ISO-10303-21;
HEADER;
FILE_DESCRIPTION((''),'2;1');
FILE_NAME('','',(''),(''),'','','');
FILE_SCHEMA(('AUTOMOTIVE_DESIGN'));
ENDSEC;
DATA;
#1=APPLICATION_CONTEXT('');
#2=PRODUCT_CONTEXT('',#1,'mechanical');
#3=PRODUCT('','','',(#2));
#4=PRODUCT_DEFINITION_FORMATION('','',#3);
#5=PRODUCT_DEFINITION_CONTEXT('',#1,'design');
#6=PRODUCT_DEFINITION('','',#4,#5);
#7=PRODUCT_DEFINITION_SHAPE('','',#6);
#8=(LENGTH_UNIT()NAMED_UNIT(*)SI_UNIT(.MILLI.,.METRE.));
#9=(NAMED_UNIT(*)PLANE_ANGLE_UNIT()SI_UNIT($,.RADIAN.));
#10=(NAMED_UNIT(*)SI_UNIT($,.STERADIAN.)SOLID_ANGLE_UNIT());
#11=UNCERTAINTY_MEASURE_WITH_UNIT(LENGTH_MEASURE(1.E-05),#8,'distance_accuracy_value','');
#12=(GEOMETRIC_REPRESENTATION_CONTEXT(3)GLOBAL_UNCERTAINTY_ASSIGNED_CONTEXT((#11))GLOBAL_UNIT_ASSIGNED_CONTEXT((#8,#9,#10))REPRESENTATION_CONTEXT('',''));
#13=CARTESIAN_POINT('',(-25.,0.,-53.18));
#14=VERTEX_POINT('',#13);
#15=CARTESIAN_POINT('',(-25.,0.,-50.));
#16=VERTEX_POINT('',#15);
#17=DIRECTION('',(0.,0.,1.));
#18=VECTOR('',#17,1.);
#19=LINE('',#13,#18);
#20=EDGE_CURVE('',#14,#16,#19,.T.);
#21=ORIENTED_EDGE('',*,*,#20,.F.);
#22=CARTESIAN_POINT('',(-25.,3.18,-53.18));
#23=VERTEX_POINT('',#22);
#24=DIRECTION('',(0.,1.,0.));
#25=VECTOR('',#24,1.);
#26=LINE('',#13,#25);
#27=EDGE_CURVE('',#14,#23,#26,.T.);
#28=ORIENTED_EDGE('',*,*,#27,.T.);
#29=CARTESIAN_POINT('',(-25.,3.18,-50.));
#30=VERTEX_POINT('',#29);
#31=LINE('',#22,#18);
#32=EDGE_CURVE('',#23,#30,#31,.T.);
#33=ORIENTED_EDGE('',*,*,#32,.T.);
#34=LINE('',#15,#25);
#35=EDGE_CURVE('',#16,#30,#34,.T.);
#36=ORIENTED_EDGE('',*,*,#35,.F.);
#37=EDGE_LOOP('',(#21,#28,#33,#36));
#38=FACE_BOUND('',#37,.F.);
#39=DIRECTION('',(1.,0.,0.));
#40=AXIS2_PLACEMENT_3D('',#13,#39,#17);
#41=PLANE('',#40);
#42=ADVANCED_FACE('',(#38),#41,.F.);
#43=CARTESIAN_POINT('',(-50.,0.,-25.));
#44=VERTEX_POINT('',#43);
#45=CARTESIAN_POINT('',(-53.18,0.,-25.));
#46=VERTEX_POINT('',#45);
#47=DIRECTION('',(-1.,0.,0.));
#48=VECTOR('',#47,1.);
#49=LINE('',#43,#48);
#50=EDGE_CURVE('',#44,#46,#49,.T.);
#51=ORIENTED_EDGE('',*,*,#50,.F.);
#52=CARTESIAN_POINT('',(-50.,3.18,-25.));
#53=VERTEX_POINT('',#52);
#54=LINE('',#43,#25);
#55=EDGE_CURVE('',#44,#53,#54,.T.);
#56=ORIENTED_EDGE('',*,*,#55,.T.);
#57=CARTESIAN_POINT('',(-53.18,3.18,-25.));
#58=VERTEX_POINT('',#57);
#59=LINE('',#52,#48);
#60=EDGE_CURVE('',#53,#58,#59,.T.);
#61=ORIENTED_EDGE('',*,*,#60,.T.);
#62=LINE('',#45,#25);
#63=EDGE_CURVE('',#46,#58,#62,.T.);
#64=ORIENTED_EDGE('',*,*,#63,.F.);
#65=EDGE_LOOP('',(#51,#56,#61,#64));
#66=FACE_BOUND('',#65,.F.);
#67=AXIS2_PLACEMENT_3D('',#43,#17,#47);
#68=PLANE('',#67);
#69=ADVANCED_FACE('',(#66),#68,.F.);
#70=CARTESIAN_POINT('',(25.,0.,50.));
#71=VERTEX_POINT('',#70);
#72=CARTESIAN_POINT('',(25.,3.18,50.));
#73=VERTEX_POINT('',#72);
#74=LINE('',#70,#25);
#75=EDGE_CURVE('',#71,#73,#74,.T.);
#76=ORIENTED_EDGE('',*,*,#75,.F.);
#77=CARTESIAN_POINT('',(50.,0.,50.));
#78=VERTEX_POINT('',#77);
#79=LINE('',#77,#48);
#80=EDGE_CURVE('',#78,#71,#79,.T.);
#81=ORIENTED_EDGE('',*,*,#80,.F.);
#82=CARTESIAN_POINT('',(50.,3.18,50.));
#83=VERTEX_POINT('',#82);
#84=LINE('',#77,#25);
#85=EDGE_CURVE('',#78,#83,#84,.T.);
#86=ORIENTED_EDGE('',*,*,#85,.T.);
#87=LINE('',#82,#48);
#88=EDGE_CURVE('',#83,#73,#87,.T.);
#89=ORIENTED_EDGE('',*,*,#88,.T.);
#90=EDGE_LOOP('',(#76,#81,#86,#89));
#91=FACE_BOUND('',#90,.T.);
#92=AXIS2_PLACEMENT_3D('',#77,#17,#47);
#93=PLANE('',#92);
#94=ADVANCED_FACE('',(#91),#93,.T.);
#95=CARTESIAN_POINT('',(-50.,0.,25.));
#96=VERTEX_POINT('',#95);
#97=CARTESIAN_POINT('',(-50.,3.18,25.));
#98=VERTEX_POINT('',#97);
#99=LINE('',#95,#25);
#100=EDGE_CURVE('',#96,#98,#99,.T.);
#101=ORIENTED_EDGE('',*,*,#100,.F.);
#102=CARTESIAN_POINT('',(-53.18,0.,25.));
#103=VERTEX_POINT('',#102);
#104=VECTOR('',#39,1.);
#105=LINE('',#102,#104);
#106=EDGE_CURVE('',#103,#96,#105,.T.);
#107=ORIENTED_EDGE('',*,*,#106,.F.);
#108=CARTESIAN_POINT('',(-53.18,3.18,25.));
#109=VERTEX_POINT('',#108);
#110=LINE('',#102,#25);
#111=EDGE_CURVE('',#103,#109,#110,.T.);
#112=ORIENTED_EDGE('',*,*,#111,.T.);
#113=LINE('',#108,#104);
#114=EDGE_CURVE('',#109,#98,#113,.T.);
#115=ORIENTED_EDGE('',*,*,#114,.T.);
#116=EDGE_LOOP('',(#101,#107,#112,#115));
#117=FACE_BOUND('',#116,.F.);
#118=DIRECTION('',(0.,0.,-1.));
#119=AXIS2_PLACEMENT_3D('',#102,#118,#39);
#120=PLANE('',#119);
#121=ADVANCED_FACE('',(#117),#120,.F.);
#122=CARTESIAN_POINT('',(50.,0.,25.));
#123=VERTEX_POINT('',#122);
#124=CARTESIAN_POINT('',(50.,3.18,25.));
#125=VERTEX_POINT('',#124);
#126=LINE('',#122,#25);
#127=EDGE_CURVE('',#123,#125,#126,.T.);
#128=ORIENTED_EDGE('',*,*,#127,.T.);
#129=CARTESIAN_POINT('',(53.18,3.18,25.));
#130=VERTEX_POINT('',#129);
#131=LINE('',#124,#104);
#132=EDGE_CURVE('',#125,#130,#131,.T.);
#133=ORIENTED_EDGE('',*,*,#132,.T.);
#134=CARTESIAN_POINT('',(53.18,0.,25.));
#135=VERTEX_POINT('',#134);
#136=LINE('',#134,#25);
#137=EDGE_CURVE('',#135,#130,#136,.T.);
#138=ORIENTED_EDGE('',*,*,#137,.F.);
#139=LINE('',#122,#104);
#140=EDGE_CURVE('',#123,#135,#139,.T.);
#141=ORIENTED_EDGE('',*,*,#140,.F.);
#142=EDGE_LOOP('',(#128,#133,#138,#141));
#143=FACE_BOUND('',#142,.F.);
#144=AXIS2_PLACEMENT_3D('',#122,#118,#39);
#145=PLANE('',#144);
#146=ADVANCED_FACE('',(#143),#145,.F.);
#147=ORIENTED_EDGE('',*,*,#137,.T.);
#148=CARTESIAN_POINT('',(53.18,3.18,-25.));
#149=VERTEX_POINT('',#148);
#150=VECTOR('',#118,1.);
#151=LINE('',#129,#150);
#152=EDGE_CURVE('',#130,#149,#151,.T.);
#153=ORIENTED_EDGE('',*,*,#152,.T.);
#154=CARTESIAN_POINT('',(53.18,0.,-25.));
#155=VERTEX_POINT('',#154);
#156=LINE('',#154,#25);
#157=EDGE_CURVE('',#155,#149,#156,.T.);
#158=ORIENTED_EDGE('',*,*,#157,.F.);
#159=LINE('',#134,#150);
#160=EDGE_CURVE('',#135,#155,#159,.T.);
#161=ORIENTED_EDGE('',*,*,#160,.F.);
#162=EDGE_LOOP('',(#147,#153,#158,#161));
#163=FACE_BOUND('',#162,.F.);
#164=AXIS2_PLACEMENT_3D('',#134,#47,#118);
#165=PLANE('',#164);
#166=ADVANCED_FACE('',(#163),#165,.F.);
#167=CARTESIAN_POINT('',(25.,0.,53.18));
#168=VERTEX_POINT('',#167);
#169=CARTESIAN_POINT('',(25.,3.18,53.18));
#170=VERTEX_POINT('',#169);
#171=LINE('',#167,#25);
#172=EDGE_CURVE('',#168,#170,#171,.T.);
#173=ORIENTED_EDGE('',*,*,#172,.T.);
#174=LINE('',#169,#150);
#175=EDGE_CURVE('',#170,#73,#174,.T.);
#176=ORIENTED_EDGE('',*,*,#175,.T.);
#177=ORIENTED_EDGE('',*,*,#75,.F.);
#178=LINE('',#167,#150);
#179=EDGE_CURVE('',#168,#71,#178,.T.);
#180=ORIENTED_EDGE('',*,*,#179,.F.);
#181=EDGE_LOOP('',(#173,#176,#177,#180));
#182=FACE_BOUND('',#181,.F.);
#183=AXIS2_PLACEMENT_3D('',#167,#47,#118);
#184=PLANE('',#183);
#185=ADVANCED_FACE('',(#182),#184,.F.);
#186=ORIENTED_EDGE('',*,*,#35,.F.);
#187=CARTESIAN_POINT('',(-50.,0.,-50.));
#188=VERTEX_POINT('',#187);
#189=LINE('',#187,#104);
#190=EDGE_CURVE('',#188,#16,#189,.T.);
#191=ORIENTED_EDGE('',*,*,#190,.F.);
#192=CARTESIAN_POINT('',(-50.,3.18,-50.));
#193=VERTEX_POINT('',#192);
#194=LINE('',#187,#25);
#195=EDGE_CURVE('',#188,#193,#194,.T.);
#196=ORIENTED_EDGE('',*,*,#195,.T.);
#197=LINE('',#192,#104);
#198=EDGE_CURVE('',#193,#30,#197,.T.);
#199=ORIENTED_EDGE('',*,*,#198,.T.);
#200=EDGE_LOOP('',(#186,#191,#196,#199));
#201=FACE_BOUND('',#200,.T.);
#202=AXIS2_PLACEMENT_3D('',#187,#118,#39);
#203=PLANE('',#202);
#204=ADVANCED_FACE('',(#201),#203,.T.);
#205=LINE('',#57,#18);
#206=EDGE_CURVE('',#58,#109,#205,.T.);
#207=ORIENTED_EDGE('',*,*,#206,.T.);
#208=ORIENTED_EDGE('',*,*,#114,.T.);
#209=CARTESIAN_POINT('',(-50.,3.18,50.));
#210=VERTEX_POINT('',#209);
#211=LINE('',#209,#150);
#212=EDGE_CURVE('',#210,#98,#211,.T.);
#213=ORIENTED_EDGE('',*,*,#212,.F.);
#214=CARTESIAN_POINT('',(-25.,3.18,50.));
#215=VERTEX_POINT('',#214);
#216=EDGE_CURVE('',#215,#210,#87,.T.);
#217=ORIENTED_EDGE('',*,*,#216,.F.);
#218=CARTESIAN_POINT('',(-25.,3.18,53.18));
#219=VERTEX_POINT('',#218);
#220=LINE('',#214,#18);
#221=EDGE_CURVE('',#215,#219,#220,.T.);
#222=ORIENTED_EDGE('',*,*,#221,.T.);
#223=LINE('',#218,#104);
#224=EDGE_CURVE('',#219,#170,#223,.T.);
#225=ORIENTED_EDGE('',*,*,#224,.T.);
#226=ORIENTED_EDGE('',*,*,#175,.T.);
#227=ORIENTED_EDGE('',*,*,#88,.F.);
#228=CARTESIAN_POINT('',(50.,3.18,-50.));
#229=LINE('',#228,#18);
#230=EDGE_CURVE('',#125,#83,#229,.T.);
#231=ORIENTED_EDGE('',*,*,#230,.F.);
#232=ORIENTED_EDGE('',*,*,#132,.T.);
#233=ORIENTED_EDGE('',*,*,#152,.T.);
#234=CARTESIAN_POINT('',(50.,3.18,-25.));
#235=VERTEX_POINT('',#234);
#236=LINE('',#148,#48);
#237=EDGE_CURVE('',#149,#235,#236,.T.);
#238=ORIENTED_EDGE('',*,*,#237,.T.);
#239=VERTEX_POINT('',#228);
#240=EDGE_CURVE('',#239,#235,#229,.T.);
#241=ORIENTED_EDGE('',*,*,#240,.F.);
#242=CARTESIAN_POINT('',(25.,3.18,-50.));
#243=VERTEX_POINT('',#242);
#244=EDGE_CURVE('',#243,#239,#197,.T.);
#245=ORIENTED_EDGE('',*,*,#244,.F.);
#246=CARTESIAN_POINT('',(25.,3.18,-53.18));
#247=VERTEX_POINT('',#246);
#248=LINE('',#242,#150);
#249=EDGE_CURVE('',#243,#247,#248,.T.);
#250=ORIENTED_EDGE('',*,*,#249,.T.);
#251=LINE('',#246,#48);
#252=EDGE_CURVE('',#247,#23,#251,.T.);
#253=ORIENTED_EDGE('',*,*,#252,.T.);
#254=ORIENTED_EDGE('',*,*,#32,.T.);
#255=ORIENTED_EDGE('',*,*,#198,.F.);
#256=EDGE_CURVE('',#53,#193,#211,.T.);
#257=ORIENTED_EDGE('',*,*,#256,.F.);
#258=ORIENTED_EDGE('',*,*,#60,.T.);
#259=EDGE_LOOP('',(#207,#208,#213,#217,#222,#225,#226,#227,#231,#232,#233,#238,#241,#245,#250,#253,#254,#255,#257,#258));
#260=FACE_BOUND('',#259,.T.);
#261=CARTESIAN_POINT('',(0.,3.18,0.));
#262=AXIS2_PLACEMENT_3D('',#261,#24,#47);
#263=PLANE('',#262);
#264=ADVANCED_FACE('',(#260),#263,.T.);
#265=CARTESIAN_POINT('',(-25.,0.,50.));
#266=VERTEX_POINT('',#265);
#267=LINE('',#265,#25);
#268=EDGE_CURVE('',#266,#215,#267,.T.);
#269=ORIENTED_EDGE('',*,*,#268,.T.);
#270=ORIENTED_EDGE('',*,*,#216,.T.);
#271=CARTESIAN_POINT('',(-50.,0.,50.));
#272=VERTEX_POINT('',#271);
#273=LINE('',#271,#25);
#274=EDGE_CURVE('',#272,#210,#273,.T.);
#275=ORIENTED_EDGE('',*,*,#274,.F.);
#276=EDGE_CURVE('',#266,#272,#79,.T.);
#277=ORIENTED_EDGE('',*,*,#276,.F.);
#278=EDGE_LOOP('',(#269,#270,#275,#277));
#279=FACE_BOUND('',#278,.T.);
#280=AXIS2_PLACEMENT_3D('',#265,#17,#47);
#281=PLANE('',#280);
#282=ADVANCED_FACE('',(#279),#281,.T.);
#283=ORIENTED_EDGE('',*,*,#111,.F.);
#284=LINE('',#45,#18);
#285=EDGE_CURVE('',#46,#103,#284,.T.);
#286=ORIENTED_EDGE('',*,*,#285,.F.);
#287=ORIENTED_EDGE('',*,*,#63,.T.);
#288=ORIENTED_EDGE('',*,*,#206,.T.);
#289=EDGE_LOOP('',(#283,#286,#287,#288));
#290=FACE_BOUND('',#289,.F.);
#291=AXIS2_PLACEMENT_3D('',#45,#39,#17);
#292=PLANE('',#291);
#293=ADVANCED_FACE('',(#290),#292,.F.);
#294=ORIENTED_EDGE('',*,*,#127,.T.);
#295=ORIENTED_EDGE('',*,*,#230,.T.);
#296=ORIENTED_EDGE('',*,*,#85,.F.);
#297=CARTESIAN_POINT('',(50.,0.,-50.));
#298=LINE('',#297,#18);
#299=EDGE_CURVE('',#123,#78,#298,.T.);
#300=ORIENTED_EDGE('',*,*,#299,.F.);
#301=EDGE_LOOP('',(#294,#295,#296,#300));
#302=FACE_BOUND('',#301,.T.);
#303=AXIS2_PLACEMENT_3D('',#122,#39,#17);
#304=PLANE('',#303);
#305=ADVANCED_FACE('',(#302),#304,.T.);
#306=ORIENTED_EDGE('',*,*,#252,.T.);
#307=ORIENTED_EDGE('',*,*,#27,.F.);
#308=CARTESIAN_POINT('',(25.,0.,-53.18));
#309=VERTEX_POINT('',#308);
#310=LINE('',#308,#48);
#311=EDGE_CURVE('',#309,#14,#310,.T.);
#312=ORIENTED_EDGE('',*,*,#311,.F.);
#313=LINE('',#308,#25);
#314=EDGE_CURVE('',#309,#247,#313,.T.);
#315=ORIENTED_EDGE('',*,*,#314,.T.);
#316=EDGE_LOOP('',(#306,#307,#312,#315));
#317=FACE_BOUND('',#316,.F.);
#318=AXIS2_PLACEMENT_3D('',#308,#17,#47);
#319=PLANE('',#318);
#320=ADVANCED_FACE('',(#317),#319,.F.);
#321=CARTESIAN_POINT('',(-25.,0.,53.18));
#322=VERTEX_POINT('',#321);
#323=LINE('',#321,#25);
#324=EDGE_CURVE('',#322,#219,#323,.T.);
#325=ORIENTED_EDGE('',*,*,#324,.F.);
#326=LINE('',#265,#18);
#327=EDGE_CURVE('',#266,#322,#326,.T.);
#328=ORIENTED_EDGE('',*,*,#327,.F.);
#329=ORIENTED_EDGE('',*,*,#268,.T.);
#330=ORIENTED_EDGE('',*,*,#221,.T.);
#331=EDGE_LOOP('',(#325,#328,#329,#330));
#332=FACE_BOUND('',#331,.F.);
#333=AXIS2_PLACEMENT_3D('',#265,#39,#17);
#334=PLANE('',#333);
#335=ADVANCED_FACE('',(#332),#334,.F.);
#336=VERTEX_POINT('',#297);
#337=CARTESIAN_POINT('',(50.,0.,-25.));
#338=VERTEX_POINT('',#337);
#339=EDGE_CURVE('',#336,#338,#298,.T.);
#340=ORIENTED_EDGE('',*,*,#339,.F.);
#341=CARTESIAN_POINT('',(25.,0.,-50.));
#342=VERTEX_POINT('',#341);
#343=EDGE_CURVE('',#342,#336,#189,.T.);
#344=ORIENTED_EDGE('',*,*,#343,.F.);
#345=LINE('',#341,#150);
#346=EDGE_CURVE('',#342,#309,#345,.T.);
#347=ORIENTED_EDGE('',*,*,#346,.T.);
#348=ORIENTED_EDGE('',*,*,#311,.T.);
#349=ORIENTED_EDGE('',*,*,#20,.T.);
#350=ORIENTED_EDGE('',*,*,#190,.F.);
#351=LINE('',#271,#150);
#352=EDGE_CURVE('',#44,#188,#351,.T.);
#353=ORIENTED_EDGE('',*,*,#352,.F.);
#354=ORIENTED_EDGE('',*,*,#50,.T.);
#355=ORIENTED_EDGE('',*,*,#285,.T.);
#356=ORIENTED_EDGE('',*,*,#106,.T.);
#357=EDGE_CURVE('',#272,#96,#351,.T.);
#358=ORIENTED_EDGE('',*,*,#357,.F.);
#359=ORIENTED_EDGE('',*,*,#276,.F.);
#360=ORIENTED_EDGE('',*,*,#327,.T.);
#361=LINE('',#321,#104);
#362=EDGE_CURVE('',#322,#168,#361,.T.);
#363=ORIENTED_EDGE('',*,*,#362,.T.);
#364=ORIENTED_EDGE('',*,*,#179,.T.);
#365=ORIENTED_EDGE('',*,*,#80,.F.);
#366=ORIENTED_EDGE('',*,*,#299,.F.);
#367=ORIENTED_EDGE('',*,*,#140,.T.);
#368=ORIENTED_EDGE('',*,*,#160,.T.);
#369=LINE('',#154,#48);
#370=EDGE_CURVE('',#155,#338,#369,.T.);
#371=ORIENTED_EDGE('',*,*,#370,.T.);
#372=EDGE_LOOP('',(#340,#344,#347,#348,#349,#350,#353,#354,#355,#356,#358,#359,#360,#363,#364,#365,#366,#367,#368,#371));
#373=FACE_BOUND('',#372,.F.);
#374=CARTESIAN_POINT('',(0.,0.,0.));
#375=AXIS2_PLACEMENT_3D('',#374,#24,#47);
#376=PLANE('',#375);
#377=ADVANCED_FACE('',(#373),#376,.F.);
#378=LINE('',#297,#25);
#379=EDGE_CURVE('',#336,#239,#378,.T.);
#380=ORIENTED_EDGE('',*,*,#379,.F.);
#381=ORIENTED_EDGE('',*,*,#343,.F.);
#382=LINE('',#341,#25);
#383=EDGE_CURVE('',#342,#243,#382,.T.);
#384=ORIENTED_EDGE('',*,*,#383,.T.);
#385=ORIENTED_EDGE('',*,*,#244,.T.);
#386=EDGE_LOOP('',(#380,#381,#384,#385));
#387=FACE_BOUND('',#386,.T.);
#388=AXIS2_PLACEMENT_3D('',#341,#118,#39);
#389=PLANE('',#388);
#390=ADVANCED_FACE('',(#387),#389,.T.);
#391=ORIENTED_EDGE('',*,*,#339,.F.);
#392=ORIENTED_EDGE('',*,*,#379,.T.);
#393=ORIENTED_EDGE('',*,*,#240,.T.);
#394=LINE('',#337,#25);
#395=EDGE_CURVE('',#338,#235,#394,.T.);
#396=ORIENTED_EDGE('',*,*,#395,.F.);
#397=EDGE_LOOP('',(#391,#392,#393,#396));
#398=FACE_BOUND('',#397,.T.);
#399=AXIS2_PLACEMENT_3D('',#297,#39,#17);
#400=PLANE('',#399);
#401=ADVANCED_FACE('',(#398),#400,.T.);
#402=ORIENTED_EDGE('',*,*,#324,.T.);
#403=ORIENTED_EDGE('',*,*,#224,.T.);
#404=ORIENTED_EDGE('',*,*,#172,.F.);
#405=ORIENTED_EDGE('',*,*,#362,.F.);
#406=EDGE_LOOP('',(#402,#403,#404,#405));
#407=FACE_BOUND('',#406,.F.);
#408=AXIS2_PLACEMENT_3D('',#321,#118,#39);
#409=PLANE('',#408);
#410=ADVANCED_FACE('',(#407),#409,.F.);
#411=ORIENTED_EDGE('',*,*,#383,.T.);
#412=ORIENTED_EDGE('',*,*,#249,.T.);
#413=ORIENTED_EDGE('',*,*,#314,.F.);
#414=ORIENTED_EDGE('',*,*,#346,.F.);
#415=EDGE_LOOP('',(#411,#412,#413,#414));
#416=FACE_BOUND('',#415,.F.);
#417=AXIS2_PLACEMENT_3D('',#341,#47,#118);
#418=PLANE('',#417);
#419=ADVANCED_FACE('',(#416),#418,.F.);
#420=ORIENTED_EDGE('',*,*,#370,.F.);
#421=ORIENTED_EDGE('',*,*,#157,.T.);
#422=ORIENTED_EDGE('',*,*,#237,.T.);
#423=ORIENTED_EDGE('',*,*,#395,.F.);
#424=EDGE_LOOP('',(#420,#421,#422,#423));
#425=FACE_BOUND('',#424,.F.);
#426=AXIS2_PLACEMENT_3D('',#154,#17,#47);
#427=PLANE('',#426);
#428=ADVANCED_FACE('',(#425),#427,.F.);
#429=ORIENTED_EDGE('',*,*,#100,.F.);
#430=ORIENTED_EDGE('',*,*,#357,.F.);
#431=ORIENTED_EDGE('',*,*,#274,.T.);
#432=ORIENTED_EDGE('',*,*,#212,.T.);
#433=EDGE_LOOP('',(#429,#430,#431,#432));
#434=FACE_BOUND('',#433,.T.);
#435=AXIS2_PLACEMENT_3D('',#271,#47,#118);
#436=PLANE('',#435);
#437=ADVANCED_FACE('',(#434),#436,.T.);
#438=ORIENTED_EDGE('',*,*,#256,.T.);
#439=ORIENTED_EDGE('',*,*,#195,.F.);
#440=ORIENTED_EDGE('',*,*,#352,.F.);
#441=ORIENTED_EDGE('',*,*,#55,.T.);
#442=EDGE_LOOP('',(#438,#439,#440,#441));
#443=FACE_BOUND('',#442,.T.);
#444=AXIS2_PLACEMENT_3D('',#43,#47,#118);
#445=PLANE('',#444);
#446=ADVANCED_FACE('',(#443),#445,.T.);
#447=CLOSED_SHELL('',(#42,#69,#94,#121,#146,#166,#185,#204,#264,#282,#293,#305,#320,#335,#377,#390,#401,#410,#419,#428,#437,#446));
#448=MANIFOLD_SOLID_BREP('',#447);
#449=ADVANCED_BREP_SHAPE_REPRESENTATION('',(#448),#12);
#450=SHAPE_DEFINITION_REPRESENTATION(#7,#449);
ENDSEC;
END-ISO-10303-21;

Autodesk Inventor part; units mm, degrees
ref_plane "YZ Plane" through (0, 0, 0) normal (1, 0, 0) x (0, 1, 0)
ref_plane "XZ Plane" through (0, 0, 0) normal (0, 1, 0) x (-1, 0, 0)
ref_plane "XY Plane" through (0, 0, 0) normal (0, 0, 1) x (1, 0, 0)
sketch "Boceto1" plane through (0, 0, 0) normal (0, 1, 0) x (-1, 0, 0)
  line L0 (-50, 50) -> (50, 50)
  line L1 (50, 50) -> (50, -50)
  line L2 (50, -50) -> (-50, -50)
  line L3 (-50, -50) -> (-50, 50)
  line L4 (-50, 50) -> (50, -50) construction
  line L5 (50, 50) -> (-50, -50) construction
  line L6 (25, 53.18) -> (-25, 53.18)
  line L7 (-25, 53.18) -> (-25, 50)
  line L8 (-25, 50) -> (25, 50)
  line L9 (25, 50) -> (25, 53.18)
  line L10 (25, -50) -> (-25, -50)
  line L11 (-25, -50) -> (-25, -53.18)
  line L12 (-25, -53.18) -> (25, -53.18)
  line L13 (25, -53.18) -> (25, -50)
  line L14 (53.18, 25) -> (50, 25)
  line L15 (50, 25) -> (50, -25)
  line L16 (50, -25) -> (53.18, -25)
  line L17 (53.18, -25) -> (53.18, 25)
  line L18 (-50, 25) -> (-53.18, 25)
  line L19 (-53.18, 25) -> (-53.18, -25)
  line L20 (-53.18, -25) -> (-50, -25)
  line L21 (-50, -25) -> (-50, 25)
  point P0 (0, 0)
  dimension "d0" = 100
  dimension "d1" = 100
  dimension "d2" = 3.18
  dimension "d3" = 3.18
  dimension "d4" = 50
  dimension "d5" = 25
  dimension "d6" = 25
  dimension "d7" = 25
extrude "Extrusión1" add sketch "Boceto1" along normal blind 3.18
properties part number "BASE_FONDO"
